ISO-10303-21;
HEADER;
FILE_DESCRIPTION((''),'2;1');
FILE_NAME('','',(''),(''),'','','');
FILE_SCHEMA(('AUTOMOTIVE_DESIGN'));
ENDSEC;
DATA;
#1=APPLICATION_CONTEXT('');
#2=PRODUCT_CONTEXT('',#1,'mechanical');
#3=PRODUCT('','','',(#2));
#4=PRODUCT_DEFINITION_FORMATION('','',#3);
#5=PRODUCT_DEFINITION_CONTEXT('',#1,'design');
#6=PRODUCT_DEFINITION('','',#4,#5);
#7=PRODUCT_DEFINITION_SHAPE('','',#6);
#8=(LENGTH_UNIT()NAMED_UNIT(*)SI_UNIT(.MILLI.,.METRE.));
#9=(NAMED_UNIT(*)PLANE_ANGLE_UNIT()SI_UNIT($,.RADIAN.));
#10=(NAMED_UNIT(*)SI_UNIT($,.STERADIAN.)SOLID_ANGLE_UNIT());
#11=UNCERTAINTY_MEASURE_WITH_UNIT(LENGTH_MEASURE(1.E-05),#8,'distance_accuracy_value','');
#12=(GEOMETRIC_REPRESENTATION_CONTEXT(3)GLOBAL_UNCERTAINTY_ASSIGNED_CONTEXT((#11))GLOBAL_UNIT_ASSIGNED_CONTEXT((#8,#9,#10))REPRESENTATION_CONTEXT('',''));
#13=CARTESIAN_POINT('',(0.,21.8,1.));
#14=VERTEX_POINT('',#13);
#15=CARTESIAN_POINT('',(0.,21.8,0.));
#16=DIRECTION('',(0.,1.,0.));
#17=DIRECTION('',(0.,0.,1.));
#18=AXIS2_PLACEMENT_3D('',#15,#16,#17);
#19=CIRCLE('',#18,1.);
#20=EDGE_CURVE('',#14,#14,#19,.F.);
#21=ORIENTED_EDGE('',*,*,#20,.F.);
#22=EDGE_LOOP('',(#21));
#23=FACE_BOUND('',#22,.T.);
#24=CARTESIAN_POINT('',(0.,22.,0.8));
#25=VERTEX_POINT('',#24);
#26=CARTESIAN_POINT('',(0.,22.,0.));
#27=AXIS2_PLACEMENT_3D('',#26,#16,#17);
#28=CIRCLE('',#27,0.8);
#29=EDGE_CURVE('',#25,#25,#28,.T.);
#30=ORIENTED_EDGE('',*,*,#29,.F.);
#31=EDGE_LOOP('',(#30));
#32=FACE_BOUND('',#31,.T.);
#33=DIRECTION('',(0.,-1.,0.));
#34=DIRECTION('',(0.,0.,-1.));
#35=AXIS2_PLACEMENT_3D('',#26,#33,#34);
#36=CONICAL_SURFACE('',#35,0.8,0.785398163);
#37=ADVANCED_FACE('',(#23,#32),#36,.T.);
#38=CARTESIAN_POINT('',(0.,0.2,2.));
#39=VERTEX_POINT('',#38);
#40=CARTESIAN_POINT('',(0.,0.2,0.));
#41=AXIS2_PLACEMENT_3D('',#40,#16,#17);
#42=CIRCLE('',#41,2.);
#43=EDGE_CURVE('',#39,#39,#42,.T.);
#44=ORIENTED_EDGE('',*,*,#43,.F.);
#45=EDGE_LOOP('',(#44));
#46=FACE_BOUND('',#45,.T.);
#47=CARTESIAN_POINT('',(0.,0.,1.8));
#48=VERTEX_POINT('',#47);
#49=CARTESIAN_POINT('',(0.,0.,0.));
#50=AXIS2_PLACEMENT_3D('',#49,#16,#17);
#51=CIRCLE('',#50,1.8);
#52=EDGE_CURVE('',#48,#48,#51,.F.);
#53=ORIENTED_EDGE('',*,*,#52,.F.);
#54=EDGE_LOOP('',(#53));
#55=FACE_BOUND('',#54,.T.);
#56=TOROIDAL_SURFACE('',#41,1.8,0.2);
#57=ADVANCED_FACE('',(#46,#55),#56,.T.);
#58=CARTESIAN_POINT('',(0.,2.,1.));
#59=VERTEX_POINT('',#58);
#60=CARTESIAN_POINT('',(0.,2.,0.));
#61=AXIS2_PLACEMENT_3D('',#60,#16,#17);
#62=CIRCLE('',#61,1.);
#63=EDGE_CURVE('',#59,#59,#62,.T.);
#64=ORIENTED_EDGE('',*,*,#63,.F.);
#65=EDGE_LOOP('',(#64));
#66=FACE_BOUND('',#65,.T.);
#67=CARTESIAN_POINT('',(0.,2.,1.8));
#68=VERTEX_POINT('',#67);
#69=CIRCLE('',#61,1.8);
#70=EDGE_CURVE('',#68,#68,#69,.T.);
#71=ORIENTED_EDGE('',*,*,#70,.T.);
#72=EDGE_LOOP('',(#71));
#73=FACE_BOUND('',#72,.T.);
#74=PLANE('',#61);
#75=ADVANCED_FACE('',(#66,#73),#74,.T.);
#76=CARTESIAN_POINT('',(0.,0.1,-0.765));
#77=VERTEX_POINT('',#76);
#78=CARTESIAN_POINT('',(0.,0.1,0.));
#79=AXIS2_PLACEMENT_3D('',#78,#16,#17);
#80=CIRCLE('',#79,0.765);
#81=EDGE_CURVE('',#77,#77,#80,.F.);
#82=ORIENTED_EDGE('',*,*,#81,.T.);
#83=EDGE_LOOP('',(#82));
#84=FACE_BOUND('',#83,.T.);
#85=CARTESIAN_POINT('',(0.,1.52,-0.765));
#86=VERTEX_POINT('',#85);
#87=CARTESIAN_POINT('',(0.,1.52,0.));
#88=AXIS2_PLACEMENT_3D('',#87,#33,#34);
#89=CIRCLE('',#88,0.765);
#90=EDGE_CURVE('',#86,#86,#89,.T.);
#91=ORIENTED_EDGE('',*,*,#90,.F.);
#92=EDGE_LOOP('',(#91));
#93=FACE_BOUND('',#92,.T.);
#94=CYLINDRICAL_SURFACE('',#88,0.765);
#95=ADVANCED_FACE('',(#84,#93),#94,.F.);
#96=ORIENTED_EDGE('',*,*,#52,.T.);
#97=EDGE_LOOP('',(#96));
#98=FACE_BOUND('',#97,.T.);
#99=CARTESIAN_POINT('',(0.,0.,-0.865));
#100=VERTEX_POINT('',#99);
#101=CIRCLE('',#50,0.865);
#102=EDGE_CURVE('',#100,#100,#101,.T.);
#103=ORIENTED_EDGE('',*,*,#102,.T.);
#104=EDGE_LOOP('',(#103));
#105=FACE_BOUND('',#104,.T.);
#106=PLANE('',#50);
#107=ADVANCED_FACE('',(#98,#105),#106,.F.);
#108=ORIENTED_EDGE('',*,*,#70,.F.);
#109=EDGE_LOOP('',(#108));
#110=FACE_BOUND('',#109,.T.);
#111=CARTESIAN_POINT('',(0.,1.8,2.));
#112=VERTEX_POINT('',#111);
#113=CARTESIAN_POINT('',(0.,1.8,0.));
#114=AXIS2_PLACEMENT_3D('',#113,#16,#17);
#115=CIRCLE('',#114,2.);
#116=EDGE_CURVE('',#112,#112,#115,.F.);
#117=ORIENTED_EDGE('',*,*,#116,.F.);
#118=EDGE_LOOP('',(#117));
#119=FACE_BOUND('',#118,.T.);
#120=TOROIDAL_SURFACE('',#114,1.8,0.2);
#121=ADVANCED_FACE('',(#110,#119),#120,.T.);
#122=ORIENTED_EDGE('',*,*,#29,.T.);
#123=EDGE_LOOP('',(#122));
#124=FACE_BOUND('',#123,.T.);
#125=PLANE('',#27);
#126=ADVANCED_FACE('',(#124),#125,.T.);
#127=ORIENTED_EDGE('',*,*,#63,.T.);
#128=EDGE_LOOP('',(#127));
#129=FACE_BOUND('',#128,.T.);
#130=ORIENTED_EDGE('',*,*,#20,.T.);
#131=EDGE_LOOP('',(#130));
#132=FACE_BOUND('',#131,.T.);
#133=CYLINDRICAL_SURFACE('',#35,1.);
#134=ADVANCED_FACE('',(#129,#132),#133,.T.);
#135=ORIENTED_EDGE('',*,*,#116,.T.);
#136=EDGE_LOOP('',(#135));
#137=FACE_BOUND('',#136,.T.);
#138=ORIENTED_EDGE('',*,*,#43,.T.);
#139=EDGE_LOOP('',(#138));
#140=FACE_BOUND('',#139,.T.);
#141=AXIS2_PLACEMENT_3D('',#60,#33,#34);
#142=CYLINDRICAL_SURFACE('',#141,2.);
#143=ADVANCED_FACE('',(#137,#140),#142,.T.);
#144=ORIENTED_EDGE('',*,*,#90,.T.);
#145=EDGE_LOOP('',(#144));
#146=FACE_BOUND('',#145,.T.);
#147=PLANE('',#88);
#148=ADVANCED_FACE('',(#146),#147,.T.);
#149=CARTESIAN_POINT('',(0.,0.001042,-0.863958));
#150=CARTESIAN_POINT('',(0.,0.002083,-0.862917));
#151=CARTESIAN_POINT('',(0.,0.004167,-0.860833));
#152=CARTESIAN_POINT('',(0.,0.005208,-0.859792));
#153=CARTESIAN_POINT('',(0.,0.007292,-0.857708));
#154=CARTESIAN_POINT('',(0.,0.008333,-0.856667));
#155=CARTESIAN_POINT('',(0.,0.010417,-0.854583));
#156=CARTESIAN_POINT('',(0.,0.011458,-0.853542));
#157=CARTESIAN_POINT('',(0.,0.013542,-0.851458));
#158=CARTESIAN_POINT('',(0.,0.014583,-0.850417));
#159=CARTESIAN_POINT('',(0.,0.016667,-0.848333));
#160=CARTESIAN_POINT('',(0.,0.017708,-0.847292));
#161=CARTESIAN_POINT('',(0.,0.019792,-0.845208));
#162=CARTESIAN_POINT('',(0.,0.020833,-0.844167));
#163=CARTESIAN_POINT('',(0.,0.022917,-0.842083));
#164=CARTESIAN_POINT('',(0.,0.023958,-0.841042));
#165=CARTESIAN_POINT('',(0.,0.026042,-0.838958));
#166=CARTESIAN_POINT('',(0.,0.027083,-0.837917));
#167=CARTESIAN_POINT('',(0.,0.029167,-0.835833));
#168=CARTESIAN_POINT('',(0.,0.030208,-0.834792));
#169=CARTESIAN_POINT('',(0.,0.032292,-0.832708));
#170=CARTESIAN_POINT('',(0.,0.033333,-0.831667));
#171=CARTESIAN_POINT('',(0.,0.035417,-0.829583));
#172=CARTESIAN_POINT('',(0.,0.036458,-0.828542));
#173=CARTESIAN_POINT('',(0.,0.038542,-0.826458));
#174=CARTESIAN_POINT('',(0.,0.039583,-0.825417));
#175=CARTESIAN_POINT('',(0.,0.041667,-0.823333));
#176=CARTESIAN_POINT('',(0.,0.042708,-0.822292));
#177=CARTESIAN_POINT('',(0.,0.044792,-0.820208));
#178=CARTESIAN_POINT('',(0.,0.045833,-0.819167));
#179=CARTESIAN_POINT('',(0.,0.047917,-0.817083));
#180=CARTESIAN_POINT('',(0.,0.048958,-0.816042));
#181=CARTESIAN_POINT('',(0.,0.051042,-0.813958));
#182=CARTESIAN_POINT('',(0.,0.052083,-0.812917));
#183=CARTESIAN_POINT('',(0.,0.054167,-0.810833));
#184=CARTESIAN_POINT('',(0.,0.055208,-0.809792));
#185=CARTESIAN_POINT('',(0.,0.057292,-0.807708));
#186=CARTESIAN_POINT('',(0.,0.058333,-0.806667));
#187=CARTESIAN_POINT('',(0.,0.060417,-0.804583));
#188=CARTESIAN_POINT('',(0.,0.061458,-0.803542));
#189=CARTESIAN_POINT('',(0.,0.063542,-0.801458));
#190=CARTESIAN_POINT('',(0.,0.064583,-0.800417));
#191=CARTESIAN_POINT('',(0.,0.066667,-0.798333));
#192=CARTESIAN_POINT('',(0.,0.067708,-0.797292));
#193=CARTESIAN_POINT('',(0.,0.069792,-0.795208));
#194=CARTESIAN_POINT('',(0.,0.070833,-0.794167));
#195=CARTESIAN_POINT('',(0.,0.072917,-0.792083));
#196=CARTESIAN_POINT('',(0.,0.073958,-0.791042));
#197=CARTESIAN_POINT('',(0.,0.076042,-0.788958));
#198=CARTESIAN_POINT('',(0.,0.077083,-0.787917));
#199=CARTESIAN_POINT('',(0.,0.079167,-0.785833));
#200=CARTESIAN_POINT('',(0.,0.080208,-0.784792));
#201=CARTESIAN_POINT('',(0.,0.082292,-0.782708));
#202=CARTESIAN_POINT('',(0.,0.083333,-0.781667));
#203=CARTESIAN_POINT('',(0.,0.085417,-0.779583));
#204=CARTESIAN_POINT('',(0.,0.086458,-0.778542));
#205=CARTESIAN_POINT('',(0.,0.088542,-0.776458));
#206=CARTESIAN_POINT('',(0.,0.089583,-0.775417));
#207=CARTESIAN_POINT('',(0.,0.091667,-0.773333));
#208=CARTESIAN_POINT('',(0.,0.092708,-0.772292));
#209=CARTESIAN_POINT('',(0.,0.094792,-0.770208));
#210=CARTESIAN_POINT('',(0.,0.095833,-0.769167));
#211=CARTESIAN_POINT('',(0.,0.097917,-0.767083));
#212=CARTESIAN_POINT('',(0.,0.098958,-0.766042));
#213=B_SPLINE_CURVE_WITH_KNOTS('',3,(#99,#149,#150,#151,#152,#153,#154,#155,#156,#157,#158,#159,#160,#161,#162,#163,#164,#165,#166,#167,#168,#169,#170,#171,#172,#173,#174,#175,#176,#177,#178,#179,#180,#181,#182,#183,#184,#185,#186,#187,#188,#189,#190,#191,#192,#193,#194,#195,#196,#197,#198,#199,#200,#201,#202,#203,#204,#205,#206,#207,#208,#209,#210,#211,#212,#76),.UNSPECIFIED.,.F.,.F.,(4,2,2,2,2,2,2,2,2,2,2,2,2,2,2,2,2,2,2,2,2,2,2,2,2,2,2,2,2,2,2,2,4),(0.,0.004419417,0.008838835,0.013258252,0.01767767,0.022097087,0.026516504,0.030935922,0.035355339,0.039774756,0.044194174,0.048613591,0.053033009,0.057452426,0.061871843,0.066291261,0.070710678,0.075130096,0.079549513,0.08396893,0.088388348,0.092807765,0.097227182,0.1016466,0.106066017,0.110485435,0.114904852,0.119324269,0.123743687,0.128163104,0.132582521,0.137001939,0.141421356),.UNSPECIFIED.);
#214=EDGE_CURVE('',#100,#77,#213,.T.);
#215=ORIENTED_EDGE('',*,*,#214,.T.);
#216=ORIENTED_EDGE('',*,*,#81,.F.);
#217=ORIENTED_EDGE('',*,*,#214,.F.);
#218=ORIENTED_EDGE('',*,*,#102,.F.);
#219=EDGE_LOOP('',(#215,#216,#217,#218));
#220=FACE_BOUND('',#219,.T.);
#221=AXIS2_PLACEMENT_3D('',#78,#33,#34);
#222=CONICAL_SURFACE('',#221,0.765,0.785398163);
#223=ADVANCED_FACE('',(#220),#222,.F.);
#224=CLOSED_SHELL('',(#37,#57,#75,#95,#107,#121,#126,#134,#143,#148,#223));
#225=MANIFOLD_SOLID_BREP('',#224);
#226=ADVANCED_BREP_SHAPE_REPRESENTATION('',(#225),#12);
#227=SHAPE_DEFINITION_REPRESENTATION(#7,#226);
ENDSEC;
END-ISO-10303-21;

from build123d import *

# Parameters (mm, degrees)
SKETCH_2_R          = 2
EXTRUDE_1_DEPTH     = 2
SKETCH_3_R          = 1
EXTRUDE_2_DEPTH     = 20
FILLET_1_R          = 0.2
SKETCH_4_R          = 0.765
CUT_EXTRUDE_1_DEPTH = 1.52
CHAMFER_1_SIZE      = 0.1
CHAMFER_2_SIZE      = 0.2


with BuildPart() as part:
    # 草图2 → 凸台-拉伸1 (new body)
    with BuildSketch(Plane(origin=(0, 0, 0), x_dir=(1, 0, 0), z_dir=(0, 1, 0))):
        with Locations(Location((0, 0, 0), (0, 0, 270))):
            Circle(SKETCH_2_R)
    extrude(amount=EXTRUDE_1_DEPTH)

    # 草图3 → 凸台-拉伸2 (add)
    with BuildSketch(Plane(origin=(0, 2, 0), x_dir=(1, 0, 0), z_dir=(0, 1, 0))):
        with Locations(Location((0, 0, 0), (0, 0, 270))):
            Circle(SKETCH_3_R)
    extrude(amount=EXTRUDE_2_DEPTH)

    # 圆角1
    fillet_1_edges = [part.edges().sort_by_distance(p)[0] for p in [
        (0, 0, -2),
        (0, 2, -2),
    ]]
    fillet(fillet_1_edges, radius=FILLET_1_R)

    # 草图4 → 切除-拉伸1 (cut)
    with BuildSketch(Plane.XZ):
        with Locations(Location((0, 0, 0), (0, 0, 270))):
            Circle(SKETCH_4_R)
    extrude(amount=-CUT_EXTRUDE_1_DEPTH, mode=Mode.SUBTRACT)

    # 倒角1
    chamfer_1_edges = [part.edges().sort_by_distance(p)[0] for p in [
        (0, 0, 0.765),
    ]]
    chamfer(chamfer_1_edges, length=CHAMFER_1_SIZE)

    # 倒角2
    chamfer_2_edges = [part.edges().sort_by_distance(p)[0] for p in [
        (0, 22, -1),
    ]]
    chamfer(chamfer_2_edges, length=CHAMFER_2_SIZE)


solid = part.part
